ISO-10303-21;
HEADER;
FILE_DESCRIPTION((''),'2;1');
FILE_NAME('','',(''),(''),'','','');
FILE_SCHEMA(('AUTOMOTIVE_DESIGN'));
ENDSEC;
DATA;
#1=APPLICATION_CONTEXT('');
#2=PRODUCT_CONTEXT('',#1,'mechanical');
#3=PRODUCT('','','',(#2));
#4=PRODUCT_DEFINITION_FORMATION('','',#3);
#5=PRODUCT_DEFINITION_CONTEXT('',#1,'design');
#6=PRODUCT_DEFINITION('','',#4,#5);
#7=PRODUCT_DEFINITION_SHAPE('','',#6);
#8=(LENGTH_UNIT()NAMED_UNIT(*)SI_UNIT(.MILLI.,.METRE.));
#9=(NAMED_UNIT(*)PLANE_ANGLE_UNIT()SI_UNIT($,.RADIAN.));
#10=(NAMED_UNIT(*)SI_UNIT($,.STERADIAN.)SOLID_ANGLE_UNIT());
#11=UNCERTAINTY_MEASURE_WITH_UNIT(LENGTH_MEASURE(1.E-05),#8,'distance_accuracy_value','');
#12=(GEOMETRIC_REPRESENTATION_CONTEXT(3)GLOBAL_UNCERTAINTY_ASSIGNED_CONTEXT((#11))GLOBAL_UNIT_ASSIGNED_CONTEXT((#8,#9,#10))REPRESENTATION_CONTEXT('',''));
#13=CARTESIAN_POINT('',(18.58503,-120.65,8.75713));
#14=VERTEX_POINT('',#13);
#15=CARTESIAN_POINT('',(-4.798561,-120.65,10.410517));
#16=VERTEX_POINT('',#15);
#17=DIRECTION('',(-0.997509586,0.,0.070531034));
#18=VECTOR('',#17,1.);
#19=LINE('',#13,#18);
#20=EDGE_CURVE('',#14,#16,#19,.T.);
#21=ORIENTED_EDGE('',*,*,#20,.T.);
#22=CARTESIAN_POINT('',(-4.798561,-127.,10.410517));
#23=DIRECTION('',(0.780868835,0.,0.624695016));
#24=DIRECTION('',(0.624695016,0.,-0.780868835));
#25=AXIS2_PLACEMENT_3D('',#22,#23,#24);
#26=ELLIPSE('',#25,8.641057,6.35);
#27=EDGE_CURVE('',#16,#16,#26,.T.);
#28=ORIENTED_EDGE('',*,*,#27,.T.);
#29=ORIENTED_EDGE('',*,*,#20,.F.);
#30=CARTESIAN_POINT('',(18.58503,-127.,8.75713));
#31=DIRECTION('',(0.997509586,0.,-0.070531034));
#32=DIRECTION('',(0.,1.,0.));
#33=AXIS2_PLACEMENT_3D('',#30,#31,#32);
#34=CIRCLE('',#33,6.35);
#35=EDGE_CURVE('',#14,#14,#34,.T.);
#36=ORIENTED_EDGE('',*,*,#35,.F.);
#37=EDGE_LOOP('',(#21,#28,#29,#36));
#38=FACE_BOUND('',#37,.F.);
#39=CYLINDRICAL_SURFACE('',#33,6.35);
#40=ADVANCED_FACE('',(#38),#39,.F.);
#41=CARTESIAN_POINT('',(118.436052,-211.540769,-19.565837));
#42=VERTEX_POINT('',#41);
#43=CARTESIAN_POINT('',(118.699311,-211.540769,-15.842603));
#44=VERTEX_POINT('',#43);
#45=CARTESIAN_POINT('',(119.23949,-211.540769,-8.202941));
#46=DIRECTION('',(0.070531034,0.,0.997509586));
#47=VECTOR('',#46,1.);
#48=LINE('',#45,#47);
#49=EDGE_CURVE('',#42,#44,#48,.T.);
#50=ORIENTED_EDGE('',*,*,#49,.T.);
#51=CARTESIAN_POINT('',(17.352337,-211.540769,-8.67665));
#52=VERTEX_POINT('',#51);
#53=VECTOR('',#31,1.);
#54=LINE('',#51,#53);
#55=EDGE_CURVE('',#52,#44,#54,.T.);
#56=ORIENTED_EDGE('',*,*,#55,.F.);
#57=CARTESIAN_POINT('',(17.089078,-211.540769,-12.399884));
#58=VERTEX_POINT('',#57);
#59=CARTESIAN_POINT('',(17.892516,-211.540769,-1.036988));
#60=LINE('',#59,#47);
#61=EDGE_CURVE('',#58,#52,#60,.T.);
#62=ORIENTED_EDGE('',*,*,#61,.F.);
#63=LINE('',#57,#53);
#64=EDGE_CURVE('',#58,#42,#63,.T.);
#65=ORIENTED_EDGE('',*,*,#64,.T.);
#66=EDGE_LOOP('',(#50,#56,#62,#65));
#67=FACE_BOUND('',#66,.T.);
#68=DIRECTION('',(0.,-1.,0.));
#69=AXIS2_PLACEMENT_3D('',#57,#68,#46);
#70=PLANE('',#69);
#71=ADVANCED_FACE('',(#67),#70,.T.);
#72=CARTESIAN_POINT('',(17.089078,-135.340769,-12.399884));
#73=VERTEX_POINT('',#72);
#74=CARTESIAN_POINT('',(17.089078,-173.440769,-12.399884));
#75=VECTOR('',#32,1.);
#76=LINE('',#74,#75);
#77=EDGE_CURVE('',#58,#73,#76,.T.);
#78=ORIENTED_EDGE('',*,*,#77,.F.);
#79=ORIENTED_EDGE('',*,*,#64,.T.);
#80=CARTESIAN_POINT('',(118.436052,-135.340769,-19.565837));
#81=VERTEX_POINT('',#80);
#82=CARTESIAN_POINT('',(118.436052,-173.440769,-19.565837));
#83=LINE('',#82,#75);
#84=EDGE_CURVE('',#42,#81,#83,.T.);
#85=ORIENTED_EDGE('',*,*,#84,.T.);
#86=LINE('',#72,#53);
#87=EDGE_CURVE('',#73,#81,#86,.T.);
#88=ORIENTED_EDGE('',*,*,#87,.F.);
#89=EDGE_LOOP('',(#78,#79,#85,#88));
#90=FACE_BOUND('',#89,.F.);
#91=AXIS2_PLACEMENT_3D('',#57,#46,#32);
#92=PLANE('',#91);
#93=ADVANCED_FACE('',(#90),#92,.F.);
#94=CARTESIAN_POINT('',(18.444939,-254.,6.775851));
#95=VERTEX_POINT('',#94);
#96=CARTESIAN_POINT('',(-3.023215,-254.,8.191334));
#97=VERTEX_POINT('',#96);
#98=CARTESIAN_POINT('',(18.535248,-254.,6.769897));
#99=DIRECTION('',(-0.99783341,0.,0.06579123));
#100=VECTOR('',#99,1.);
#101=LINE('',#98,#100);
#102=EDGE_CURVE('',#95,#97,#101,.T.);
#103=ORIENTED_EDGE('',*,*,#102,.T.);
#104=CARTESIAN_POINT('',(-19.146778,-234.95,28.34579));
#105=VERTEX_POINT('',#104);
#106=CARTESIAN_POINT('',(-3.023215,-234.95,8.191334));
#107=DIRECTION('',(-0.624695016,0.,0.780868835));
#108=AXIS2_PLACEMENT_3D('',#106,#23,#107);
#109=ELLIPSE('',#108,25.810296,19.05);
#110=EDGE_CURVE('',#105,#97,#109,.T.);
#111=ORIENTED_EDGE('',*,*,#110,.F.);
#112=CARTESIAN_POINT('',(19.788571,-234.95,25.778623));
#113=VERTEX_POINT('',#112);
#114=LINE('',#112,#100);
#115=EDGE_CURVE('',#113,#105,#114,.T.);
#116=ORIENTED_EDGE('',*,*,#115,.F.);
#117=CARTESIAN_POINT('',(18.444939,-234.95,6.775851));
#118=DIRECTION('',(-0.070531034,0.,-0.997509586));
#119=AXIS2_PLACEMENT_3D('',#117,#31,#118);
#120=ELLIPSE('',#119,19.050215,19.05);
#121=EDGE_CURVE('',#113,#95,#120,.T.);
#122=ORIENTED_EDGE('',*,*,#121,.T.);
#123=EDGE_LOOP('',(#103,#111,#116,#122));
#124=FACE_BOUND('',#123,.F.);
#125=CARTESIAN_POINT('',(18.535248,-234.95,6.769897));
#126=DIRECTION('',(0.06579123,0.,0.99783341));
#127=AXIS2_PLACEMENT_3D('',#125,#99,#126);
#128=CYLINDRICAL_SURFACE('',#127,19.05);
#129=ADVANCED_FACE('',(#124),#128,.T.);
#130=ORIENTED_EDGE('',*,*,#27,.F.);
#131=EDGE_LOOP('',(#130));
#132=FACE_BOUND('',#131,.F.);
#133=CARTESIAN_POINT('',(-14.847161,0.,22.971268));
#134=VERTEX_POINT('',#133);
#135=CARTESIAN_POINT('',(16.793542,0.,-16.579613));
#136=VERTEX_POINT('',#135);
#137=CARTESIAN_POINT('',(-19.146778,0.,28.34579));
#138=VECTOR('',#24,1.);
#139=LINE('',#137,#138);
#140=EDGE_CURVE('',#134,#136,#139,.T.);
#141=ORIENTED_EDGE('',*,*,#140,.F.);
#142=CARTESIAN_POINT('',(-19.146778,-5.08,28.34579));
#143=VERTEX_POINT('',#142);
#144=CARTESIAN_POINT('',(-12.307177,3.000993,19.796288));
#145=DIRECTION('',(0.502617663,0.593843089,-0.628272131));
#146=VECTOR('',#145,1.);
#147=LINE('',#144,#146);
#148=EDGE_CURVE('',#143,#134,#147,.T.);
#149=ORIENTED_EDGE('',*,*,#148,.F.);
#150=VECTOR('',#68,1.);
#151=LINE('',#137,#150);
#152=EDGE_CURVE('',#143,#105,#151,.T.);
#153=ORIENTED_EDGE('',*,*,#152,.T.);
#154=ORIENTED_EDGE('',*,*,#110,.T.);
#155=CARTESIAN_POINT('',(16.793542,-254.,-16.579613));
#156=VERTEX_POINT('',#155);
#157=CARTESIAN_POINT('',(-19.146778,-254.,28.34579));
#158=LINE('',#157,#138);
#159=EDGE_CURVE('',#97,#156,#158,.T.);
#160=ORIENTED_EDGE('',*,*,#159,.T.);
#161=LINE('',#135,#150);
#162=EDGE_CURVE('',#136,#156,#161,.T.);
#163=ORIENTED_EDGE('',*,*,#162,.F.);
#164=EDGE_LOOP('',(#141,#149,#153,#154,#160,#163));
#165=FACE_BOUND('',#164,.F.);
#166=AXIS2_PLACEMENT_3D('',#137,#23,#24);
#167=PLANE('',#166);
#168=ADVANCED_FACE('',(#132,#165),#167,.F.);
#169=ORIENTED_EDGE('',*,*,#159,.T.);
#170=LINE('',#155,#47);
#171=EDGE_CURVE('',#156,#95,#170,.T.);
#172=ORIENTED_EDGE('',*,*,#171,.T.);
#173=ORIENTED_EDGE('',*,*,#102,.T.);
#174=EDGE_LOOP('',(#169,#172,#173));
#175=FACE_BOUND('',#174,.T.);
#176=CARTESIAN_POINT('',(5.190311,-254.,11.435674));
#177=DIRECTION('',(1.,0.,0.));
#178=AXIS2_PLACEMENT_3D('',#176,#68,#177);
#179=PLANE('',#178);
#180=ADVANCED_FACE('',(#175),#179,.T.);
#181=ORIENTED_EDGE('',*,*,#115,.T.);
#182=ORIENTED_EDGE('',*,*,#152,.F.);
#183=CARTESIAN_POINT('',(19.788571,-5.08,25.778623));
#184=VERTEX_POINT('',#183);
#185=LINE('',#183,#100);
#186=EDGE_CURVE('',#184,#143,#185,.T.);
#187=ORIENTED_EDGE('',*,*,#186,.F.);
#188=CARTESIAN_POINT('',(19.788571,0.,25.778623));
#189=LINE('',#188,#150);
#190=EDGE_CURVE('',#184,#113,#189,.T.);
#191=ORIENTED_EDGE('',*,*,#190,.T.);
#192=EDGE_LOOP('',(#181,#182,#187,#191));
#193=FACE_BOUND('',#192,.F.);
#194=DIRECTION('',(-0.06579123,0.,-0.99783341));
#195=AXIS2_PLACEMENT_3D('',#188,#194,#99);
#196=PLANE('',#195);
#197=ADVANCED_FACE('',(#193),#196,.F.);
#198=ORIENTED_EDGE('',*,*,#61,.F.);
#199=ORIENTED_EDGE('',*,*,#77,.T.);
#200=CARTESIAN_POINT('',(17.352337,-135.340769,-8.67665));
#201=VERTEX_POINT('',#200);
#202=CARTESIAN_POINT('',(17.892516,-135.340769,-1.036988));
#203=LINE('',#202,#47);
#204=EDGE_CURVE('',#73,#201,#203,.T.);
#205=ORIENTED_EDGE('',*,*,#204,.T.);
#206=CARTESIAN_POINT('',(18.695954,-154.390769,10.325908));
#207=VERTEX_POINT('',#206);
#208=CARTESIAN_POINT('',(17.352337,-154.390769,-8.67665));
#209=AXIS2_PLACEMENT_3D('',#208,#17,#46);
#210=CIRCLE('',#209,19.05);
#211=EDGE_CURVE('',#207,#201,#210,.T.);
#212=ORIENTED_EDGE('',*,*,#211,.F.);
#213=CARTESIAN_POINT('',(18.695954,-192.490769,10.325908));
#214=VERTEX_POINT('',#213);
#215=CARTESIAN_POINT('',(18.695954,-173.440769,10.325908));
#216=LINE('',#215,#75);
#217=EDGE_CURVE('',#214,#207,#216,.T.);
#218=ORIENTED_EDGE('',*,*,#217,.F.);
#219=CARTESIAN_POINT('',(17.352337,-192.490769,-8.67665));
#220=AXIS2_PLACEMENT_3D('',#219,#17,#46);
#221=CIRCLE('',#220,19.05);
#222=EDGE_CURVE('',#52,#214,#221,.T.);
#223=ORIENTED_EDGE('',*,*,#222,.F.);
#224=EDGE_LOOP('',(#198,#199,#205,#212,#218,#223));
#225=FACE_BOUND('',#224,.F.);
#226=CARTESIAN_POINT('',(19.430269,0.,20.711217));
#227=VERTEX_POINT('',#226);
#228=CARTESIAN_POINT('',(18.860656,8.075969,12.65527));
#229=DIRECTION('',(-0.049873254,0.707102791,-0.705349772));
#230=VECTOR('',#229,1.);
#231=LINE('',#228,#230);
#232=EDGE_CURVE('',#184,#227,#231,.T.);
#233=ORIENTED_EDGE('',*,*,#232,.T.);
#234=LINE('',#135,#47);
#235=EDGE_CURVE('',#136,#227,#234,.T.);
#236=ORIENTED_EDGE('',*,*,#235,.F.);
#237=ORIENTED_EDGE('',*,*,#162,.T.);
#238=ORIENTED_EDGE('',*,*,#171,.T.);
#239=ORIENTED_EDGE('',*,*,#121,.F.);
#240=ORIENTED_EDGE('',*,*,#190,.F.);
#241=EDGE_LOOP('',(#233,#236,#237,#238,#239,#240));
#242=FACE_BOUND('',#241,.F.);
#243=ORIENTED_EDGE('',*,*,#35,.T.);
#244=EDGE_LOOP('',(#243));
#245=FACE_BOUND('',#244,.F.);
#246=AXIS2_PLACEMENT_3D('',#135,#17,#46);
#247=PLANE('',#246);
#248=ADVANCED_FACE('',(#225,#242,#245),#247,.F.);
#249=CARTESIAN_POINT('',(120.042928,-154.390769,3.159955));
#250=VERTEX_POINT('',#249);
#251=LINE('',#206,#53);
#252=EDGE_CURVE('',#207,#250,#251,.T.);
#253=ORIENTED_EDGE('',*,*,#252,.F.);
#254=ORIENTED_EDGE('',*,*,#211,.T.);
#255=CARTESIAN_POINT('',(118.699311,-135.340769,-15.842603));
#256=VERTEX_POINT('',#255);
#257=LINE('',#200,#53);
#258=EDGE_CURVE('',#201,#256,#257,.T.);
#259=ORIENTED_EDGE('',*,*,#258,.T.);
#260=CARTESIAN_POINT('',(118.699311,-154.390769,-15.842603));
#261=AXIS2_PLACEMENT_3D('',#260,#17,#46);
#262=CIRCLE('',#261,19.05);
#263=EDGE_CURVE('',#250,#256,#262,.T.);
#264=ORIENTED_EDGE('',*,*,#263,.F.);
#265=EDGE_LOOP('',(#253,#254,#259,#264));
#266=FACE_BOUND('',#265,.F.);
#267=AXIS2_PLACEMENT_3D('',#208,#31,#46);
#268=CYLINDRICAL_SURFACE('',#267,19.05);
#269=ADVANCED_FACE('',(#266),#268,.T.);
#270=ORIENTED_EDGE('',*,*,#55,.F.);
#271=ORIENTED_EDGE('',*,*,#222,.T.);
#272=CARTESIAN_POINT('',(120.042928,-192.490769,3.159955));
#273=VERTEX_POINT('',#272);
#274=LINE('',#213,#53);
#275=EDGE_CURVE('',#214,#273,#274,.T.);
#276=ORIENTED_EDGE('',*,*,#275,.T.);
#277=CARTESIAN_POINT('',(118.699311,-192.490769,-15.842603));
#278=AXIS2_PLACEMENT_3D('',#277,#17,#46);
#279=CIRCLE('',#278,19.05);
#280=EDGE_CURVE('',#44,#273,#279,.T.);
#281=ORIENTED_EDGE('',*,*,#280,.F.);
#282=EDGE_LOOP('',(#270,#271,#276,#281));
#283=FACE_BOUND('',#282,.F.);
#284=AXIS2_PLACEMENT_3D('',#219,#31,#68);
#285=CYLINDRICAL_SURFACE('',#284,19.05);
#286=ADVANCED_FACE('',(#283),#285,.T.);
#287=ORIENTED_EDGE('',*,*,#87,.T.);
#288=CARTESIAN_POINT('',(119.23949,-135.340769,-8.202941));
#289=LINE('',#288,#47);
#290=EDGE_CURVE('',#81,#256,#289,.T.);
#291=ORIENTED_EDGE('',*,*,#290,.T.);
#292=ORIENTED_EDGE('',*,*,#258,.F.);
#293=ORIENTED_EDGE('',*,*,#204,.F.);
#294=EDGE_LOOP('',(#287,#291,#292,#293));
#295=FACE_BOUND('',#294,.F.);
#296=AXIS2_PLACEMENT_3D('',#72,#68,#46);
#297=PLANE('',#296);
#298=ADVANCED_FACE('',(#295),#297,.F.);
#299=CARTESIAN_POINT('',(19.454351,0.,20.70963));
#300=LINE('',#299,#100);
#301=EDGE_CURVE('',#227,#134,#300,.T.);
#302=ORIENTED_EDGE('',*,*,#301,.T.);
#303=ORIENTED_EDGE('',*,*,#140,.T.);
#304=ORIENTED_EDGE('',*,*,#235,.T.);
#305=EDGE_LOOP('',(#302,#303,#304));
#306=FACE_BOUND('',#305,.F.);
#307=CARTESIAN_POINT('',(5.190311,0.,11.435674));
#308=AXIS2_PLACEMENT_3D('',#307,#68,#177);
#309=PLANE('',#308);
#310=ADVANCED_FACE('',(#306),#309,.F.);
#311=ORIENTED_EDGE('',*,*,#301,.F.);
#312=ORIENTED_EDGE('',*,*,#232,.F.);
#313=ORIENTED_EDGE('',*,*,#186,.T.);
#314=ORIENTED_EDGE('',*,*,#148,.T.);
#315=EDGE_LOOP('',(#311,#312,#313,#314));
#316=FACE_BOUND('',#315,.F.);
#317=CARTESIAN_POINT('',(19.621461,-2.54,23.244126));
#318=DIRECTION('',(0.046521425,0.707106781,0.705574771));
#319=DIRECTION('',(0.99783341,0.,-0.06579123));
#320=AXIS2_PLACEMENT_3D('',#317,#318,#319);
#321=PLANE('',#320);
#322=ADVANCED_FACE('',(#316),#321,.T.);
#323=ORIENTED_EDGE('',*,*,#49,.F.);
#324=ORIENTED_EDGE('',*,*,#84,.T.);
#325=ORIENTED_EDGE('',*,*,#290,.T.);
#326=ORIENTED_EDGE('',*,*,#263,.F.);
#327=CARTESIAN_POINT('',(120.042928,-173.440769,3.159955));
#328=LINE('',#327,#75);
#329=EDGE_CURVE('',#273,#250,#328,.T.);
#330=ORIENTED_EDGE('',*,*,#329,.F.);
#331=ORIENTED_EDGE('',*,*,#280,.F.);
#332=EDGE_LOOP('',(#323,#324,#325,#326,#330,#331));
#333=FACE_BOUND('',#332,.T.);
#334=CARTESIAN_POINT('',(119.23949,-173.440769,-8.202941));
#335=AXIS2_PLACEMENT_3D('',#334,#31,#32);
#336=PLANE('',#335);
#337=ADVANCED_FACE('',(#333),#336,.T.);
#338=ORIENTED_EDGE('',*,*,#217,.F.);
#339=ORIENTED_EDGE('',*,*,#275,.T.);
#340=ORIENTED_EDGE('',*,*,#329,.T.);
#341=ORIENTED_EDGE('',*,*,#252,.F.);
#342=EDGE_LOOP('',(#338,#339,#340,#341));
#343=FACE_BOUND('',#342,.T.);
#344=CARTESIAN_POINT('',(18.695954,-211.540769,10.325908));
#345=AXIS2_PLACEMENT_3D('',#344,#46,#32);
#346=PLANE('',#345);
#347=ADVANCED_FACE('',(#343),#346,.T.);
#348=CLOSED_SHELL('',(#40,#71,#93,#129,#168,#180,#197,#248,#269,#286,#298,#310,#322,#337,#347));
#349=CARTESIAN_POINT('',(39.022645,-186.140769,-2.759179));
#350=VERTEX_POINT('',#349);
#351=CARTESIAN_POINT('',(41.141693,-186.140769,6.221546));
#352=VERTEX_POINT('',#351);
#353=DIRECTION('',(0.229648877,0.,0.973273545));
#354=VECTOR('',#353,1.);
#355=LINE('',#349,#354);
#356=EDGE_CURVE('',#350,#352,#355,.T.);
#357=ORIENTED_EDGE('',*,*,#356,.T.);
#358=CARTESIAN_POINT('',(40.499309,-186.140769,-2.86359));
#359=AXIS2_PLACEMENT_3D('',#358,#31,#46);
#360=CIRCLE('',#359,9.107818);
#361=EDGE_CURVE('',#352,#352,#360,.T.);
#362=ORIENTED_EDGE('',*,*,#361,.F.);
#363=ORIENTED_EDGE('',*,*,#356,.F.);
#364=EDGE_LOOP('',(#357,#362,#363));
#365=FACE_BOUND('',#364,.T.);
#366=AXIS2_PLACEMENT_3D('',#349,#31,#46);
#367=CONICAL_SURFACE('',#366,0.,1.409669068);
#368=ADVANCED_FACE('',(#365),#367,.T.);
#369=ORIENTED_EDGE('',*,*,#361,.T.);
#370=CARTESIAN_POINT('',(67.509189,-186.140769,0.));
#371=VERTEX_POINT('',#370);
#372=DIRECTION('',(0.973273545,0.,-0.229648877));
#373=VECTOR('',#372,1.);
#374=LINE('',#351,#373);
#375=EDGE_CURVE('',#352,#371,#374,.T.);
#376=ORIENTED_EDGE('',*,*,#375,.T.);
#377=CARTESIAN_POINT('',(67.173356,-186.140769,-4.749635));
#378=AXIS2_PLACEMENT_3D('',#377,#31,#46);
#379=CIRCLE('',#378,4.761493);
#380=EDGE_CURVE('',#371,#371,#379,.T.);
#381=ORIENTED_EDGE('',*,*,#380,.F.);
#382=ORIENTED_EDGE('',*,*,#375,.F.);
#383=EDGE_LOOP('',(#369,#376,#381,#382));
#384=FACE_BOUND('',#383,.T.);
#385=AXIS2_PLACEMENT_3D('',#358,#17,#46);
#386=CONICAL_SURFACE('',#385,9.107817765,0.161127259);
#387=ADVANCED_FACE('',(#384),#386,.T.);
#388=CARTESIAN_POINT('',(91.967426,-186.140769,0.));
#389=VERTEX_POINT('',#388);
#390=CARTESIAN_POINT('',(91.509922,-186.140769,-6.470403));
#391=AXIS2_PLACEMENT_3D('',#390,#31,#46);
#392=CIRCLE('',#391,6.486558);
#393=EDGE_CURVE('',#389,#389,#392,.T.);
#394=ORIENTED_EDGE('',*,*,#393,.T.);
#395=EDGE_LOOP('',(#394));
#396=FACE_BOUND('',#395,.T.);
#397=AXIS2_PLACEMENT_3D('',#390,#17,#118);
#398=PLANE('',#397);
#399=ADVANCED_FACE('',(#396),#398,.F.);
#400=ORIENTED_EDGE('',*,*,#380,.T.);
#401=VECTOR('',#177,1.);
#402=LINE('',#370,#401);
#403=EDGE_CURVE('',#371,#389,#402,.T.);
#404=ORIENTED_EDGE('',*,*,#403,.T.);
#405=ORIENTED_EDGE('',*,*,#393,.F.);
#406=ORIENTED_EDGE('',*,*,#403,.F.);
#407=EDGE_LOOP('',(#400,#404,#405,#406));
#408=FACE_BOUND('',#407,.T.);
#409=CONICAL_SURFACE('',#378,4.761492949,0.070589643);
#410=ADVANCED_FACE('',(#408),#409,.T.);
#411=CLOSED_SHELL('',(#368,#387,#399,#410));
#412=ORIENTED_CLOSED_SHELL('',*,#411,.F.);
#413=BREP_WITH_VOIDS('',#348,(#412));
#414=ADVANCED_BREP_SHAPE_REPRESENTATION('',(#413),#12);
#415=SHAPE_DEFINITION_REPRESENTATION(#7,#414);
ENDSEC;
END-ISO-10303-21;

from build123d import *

# Parameters (mm, degrees)
F1_DEPTH = 254
F2_R     = 6.35
F3_DEPTH = 39.0204481418
F4_W     = 76.2
F4_H     = 22.7825300816
F5_DEPTH = 101.6
F9_R     = 19.05
F10_SIZE = 5.08


with BuildPart() as f1:
    # F0 (on Front) → F1 (new body)
    with BuildSketch(Plane.XZ):
        Polygon((-19.1467776895, 28.3457897604), (16.7935416102, -16.5796130896), (19.7885707021, 25.7786232978), align=None)
    extrude(amount=F1_DEPTH)

    # F2 (on face) → F3 (cut, through all)
    with BuildSketch(Plane(origin=(17.876465035, 0, -1.263993438), x_dir=(0, 1, 0), z_dir=(0.9975095855, 0, -0.0705310344))):
        with Locations((-127, 10.0461428802)):
            Circle(F2_R)
    extrude(amount=-F3_DEPTH, mode=Mode.SUBTRACT)

    # F4 (on face) → F5 (join)
    with BuildSketch(Plane(origin=(17.876465035, 0, -1.263993438), x_dir=(0, 1, 0), z_dir=(0.9975095855, 0, -0.0705310344))):
        with Locations((-173.4407693148, 0.2275721636)):
            Rectangle(F4_W, F4_H)
    extrude(amount=F5_DEPTH)

    # F7 (on offset) → F8 (revolve, cut)
    with BuildSketch(Plane(origin=(0, -186.1407693148, 0), x_dir=(-1, 0, 0), z_dir=(0, 1, 0))):
        Polygon((-91.9674258711, 0), (-91.5099222483, -6.4704034611), (-39.0226445365, -2.7591789837), (-41.141692549, 6.2215458602), (-67.5091892481, 0), align=None)
    revolve(axis=Axis((56.3993897732, -186.1407693148, -3.9878386717), (0.9975095855, 0, -0.0705310344)), mode=Mode.SUBTRACT)

    # F9
    f9_edges = [f1.edges().sort_by_distance(p)[0] for p in [
        (69.369441, -135.340769, 6.742931),
        (69.369441, -211.540769, 6.742931),
        (0.320897, -254, 27.062207),
    ]]
    fillet(f9_edges, radius=F9_R)

    # F10
    f10_edges = [f1.edges().sort_by_distance(p)[0] for p in [
        (0.320897, 0, 27.062207),
    ]]
    chamfer(f10_edges, length=F10_SIZE)


solid = f1.part
